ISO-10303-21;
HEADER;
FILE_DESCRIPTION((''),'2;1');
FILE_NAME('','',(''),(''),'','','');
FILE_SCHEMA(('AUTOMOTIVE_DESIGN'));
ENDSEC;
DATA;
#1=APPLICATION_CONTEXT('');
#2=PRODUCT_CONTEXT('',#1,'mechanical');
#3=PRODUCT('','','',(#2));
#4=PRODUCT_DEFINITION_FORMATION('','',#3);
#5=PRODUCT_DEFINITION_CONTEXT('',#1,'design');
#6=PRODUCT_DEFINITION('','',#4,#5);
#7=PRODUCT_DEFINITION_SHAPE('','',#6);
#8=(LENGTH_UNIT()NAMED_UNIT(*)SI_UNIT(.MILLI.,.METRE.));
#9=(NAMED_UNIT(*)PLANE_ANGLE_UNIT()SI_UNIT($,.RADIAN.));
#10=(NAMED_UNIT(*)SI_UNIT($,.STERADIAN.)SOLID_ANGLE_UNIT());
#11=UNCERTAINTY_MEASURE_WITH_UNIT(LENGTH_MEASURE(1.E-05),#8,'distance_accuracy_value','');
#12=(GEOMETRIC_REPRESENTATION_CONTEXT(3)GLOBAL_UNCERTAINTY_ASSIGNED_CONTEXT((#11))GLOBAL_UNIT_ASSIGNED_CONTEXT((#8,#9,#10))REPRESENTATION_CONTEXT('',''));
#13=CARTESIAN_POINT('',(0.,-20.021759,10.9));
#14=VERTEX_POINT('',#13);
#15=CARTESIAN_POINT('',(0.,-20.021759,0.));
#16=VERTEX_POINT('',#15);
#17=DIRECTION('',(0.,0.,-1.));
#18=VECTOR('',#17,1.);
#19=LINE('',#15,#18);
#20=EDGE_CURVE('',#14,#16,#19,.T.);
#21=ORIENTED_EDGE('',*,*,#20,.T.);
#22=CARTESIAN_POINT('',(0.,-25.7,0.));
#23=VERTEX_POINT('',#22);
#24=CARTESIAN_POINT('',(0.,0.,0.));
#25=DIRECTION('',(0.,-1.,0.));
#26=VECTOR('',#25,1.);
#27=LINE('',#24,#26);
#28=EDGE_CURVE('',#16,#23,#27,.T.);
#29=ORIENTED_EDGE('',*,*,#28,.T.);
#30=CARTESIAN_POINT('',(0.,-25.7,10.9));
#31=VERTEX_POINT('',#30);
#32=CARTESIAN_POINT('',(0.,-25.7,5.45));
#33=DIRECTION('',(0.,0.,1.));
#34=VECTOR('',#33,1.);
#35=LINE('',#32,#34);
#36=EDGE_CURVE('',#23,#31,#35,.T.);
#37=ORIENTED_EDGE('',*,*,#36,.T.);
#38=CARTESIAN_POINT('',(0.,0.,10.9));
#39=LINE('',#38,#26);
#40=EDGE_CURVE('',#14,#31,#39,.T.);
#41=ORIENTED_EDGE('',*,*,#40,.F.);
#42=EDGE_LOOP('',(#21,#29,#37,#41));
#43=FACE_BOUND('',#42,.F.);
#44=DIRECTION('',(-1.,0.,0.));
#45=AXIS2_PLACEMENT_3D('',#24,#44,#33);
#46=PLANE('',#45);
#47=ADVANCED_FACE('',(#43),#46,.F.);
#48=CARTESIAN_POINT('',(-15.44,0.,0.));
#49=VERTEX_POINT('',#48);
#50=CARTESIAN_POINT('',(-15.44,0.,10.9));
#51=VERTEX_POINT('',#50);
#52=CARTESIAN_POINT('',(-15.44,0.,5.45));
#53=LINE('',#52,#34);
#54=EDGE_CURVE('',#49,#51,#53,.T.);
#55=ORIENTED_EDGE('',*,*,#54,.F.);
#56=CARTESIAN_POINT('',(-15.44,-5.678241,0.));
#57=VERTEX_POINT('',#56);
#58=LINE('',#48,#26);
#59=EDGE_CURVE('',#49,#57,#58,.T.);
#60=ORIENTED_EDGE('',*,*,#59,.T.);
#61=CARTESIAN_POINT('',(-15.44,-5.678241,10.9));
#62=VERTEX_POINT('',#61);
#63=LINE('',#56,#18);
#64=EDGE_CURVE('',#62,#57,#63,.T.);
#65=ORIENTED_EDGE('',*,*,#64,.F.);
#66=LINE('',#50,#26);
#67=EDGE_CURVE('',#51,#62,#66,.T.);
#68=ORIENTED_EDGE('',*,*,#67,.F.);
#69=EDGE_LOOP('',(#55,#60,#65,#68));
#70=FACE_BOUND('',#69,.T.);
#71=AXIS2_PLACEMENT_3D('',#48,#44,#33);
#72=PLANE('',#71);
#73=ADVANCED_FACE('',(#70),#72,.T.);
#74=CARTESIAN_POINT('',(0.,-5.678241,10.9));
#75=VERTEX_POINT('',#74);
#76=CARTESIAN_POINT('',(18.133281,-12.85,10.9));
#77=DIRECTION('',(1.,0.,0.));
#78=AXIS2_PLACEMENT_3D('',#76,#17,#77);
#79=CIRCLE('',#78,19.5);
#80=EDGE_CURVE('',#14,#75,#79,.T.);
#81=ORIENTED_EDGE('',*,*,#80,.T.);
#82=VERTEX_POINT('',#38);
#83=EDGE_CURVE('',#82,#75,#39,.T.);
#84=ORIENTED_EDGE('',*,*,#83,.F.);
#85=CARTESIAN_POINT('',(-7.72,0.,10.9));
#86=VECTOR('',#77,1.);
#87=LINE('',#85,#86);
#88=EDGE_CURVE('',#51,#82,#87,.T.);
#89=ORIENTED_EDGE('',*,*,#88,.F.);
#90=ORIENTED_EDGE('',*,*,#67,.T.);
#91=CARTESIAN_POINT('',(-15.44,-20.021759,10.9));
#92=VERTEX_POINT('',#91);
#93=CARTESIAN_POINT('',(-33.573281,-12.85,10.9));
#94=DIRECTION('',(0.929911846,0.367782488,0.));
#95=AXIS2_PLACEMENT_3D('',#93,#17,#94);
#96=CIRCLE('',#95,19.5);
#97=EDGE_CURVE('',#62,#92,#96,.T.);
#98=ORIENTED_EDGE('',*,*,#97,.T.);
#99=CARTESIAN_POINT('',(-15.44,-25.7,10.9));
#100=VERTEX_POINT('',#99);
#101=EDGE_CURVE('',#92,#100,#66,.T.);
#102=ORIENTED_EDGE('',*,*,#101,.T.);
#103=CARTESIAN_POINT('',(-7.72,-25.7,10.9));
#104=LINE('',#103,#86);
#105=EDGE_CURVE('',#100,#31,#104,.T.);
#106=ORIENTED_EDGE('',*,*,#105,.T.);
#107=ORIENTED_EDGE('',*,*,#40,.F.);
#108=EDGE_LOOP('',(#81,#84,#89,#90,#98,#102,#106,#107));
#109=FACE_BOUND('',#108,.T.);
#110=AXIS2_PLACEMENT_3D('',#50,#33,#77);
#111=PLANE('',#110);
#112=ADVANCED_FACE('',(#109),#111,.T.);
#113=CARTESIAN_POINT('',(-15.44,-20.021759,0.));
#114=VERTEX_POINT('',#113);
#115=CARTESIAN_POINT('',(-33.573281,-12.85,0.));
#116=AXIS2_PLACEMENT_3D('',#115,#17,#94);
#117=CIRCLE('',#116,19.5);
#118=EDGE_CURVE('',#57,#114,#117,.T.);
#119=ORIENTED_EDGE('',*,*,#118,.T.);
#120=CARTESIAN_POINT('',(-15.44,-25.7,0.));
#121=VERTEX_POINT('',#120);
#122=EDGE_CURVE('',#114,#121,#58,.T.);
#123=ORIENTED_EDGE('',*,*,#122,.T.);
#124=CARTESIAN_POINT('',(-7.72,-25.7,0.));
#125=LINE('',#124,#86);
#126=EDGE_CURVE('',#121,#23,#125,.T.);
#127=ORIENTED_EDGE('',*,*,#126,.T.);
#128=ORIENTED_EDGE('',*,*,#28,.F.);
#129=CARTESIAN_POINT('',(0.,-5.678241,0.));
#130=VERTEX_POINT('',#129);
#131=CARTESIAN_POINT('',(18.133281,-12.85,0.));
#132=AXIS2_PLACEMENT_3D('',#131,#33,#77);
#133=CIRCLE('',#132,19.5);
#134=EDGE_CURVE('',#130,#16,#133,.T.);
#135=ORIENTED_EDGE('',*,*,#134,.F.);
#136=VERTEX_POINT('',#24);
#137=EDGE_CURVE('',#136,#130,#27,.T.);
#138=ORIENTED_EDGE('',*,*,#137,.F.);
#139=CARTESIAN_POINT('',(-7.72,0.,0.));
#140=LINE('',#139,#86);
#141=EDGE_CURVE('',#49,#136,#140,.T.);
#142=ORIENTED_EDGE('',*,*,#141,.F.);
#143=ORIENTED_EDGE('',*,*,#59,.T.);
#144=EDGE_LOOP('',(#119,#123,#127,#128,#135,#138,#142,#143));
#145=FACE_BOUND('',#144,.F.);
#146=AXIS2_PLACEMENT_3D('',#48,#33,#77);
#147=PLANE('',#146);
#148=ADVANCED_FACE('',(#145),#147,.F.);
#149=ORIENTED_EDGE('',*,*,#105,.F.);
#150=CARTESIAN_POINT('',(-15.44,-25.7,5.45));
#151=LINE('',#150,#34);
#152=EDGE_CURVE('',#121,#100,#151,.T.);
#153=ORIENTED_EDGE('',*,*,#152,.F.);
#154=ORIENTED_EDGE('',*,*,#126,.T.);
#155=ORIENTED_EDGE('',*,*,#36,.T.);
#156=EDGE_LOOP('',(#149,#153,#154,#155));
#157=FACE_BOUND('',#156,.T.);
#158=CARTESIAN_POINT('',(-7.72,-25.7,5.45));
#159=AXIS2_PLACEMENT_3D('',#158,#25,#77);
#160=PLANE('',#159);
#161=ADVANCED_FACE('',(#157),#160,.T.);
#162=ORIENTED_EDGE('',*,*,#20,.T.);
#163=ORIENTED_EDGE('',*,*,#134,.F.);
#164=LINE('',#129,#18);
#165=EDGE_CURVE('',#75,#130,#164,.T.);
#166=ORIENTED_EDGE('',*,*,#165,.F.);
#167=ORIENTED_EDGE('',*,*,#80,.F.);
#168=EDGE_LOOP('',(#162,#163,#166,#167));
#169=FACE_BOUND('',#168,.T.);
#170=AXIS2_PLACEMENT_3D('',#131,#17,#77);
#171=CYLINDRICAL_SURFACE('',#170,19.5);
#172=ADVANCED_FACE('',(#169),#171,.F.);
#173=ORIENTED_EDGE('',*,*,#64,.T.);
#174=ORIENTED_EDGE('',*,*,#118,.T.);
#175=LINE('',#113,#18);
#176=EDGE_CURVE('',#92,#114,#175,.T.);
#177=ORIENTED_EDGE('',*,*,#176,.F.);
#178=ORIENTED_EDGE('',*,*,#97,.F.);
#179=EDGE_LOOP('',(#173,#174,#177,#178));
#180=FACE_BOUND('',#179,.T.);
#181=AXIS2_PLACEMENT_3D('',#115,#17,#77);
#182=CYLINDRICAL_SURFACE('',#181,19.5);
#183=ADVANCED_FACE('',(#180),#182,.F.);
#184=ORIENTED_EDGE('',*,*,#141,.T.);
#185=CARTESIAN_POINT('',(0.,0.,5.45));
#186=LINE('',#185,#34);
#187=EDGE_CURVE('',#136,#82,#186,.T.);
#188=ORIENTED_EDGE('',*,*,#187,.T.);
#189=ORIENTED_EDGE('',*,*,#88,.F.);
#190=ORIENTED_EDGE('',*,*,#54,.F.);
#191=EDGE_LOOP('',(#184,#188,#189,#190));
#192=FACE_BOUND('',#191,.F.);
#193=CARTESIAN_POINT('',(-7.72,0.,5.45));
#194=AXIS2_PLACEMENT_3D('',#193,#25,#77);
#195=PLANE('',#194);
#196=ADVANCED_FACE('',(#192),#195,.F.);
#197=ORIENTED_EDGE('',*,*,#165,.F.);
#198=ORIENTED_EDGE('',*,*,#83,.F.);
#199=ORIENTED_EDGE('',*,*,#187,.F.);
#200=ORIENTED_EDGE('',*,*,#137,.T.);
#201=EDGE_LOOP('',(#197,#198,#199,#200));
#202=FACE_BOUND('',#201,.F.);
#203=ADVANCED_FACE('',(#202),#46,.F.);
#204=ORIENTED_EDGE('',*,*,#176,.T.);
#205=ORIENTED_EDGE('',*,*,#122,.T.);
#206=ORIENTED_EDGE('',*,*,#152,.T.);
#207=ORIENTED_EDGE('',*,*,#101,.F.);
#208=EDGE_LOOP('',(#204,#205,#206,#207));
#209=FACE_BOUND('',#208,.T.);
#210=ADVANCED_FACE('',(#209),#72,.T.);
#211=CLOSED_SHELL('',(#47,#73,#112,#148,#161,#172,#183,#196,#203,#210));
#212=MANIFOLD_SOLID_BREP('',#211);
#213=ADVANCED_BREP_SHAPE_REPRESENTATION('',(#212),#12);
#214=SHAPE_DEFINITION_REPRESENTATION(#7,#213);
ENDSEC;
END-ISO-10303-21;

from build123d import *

# Parameters (mm, degrees)
F0_W     = 15.44
F0_H     = 10.9
F1_DEPTH = 25.7
F2_R     = 19.5
F3_DEPTH = 10.901


with BuildPart() as f1:
    # F0 (on Front) → F1 (new body)
    with BuildSketch(Plane.XZ):
        with Locations((-7.72, 5.45)):
            Rectangle(F0_W, F0_H)
    extrude(amount=F1_DEPTH)

    # F2 (on Top) → F3 (cut, through all)
    with BuildSketch(Plane.XY):
        with Locations((-33.573281, -12.85)):
            Circle(F2_R)
        with Locations((18.133281, -12.85)):
            Circle(F2_R)
    extrude(amount=F3_DEPTH, mode=Mode.SUBTRACT)


solid = f1.part
